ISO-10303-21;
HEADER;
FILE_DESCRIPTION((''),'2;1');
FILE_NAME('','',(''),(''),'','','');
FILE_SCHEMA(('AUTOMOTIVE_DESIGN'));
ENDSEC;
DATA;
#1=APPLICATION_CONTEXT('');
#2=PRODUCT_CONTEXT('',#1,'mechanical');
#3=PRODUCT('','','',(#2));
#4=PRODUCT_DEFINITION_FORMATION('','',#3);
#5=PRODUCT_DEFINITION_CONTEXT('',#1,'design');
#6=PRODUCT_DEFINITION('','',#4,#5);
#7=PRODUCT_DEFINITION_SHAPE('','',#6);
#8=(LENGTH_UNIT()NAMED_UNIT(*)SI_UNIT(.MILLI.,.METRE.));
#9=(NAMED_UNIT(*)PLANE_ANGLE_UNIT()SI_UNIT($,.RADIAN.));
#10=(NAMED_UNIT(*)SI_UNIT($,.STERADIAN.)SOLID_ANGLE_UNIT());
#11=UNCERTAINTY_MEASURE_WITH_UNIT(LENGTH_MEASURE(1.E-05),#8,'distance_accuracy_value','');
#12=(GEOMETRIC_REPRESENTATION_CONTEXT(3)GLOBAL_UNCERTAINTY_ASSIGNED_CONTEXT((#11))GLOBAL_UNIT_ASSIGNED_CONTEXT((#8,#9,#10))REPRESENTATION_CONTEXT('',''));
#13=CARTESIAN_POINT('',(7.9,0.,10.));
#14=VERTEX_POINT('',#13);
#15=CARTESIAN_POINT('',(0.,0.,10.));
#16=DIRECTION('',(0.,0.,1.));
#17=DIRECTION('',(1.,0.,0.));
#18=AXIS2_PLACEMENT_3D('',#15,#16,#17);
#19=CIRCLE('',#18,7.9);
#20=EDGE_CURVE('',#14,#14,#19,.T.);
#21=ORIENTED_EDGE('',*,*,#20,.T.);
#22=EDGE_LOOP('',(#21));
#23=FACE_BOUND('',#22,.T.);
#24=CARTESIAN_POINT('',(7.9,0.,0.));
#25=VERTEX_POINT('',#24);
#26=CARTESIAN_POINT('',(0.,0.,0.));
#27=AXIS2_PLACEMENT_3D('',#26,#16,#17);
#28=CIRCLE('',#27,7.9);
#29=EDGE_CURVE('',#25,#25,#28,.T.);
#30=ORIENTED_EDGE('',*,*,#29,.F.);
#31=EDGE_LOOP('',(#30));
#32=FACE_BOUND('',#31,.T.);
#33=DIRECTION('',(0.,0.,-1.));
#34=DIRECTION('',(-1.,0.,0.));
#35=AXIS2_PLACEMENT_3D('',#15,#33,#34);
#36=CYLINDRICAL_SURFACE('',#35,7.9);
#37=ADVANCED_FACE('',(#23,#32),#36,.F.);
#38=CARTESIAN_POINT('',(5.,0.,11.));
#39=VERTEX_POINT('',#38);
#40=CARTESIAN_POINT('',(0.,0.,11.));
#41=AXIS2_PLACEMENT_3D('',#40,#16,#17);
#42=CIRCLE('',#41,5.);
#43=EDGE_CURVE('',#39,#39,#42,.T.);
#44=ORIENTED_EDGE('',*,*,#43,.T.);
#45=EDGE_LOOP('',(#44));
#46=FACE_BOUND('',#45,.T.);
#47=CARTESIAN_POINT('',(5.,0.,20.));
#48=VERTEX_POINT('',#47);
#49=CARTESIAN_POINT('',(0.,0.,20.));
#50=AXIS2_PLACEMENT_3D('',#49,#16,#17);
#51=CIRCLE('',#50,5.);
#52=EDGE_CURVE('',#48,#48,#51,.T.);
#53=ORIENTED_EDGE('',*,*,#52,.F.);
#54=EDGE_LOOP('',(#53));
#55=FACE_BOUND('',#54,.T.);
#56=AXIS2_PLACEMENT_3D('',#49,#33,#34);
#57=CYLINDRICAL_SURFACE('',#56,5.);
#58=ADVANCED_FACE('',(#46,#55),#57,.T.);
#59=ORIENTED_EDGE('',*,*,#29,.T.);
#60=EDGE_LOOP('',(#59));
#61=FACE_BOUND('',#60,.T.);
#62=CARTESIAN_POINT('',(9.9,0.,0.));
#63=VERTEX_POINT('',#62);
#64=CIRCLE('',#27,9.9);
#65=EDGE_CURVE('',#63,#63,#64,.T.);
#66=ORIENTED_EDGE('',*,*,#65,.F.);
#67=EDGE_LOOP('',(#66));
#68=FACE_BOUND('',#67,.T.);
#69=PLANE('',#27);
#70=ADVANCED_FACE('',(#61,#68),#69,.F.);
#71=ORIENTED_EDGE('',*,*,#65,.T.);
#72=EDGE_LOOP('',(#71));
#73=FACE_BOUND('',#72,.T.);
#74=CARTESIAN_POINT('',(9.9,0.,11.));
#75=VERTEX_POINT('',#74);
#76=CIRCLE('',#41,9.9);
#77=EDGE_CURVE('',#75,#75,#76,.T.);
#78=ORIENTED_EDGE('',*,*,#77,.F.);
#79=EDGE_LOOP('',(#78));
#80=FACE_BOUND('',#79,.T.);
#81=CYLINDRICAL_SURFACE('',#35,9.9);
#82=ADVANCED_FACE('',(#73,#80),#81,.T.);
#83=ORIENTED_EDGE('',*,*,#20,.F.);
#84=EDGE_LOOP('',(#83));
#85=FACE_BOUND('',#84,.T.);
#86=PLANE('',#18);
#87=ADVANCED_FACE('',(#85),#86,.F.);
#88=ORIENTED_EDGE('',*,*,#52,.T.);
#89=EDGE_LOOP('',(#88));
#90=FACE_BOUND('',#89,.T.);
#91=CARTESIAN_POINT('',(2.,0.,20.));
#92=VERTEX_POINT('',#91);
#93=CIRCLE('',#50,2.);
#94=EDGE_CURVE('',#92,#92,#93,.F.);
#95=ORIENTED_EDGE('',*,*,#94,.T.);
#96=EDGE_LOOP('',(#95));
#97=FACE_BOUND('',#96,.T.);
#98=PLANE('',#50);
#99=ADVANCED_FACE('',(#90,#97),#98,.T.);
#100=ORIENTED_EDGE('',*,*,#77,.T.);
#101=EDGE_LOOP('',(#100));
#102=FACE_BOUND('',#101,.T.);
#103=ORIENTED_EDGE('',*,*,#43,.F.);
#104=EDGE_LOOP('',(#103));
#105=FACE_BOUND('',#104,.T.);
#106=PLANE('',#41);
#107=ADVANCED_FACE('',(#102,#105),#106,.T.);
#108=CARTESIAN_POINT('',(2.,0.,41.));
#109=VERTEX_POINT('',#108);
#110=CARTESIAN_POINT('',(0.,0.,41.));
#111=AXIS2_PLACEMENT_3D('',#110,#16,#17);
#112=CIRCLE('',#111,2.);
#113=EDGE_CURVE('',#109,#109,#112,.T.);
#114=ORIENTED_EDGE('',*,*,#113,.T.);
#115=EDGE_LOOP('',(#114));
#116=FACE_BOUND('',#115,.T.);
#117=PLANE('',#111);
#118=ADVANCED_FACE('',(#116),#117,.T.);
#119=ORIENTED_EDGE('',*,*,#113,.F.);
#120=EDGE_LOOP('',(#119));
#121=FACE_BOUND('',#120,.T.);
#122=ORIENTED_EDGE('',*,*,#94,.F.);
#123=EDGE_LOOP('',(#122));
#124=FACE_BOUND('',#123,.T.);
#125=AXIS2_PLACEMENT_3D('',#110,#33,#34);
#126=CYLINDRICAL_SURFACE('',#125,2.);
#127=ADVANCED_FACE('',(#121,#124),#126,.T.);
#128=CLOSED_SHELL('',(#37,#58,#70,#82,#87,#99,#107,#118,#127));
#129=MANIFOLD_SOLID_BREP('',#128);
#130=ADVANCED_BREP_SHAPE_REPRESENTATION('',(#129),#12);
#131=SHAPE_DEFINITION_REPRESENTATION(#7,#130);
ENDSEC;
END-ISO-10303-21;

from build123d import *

# Parameters (mm, degrees)
CROQUIS1_R              = 9.9
CROQUIS1_R_2            = 7.9
SALIENTE_EXTRUIR1_DEPTH = 10
CROQUIS2_R              = 9.9
SALIENTE_EXTRUIR2_DEPTH = 1
CROQUIS4_R              = 5
SALIENTE_EXTRUIR4_DEPTH = 9
CROQUIS3_R              = 2
SALIENTE_EXTRUIR3_DEPTH = 30


with BuildPart() as part:
    # Croquis1 → Saliente-Extruir1 (new body)
    with BuildSketch(Plane.XY):
        Circle(CROQUIS1_R)
        Circle(CROQUIS1_R_2, mode=Mode.SUBTRACT)
    extrude(amount=SALIENTE_EXTRUIR1_DEPTH)

    # Croquis2 → Saliente-Extruir2 (add)
    with BuildSketch(Plane.XY.offset(10)):
        Circle(CROQUIS2_R)
    extrude(amount=SALIENTE_EXTRUIR2_DEPTH)

    # Croquis4 → Saliente-Extruir4 (add)
    with BuildSketch(Plane.XY.offset(11)):
        Circle(CROQUIS4_R)
    extrude(amount=SALIENTE_EXTRUIR4_DEPTH)

    # Croquis3 → Saliente-Extruir3 (add)
    with BuildSketch(Plane.XY.offset(11)):
        Circle(CROQUIS3_R)
    extrude(amount=SALIENTE_EXTRUIR3_DEPTH)


solid = part.part
